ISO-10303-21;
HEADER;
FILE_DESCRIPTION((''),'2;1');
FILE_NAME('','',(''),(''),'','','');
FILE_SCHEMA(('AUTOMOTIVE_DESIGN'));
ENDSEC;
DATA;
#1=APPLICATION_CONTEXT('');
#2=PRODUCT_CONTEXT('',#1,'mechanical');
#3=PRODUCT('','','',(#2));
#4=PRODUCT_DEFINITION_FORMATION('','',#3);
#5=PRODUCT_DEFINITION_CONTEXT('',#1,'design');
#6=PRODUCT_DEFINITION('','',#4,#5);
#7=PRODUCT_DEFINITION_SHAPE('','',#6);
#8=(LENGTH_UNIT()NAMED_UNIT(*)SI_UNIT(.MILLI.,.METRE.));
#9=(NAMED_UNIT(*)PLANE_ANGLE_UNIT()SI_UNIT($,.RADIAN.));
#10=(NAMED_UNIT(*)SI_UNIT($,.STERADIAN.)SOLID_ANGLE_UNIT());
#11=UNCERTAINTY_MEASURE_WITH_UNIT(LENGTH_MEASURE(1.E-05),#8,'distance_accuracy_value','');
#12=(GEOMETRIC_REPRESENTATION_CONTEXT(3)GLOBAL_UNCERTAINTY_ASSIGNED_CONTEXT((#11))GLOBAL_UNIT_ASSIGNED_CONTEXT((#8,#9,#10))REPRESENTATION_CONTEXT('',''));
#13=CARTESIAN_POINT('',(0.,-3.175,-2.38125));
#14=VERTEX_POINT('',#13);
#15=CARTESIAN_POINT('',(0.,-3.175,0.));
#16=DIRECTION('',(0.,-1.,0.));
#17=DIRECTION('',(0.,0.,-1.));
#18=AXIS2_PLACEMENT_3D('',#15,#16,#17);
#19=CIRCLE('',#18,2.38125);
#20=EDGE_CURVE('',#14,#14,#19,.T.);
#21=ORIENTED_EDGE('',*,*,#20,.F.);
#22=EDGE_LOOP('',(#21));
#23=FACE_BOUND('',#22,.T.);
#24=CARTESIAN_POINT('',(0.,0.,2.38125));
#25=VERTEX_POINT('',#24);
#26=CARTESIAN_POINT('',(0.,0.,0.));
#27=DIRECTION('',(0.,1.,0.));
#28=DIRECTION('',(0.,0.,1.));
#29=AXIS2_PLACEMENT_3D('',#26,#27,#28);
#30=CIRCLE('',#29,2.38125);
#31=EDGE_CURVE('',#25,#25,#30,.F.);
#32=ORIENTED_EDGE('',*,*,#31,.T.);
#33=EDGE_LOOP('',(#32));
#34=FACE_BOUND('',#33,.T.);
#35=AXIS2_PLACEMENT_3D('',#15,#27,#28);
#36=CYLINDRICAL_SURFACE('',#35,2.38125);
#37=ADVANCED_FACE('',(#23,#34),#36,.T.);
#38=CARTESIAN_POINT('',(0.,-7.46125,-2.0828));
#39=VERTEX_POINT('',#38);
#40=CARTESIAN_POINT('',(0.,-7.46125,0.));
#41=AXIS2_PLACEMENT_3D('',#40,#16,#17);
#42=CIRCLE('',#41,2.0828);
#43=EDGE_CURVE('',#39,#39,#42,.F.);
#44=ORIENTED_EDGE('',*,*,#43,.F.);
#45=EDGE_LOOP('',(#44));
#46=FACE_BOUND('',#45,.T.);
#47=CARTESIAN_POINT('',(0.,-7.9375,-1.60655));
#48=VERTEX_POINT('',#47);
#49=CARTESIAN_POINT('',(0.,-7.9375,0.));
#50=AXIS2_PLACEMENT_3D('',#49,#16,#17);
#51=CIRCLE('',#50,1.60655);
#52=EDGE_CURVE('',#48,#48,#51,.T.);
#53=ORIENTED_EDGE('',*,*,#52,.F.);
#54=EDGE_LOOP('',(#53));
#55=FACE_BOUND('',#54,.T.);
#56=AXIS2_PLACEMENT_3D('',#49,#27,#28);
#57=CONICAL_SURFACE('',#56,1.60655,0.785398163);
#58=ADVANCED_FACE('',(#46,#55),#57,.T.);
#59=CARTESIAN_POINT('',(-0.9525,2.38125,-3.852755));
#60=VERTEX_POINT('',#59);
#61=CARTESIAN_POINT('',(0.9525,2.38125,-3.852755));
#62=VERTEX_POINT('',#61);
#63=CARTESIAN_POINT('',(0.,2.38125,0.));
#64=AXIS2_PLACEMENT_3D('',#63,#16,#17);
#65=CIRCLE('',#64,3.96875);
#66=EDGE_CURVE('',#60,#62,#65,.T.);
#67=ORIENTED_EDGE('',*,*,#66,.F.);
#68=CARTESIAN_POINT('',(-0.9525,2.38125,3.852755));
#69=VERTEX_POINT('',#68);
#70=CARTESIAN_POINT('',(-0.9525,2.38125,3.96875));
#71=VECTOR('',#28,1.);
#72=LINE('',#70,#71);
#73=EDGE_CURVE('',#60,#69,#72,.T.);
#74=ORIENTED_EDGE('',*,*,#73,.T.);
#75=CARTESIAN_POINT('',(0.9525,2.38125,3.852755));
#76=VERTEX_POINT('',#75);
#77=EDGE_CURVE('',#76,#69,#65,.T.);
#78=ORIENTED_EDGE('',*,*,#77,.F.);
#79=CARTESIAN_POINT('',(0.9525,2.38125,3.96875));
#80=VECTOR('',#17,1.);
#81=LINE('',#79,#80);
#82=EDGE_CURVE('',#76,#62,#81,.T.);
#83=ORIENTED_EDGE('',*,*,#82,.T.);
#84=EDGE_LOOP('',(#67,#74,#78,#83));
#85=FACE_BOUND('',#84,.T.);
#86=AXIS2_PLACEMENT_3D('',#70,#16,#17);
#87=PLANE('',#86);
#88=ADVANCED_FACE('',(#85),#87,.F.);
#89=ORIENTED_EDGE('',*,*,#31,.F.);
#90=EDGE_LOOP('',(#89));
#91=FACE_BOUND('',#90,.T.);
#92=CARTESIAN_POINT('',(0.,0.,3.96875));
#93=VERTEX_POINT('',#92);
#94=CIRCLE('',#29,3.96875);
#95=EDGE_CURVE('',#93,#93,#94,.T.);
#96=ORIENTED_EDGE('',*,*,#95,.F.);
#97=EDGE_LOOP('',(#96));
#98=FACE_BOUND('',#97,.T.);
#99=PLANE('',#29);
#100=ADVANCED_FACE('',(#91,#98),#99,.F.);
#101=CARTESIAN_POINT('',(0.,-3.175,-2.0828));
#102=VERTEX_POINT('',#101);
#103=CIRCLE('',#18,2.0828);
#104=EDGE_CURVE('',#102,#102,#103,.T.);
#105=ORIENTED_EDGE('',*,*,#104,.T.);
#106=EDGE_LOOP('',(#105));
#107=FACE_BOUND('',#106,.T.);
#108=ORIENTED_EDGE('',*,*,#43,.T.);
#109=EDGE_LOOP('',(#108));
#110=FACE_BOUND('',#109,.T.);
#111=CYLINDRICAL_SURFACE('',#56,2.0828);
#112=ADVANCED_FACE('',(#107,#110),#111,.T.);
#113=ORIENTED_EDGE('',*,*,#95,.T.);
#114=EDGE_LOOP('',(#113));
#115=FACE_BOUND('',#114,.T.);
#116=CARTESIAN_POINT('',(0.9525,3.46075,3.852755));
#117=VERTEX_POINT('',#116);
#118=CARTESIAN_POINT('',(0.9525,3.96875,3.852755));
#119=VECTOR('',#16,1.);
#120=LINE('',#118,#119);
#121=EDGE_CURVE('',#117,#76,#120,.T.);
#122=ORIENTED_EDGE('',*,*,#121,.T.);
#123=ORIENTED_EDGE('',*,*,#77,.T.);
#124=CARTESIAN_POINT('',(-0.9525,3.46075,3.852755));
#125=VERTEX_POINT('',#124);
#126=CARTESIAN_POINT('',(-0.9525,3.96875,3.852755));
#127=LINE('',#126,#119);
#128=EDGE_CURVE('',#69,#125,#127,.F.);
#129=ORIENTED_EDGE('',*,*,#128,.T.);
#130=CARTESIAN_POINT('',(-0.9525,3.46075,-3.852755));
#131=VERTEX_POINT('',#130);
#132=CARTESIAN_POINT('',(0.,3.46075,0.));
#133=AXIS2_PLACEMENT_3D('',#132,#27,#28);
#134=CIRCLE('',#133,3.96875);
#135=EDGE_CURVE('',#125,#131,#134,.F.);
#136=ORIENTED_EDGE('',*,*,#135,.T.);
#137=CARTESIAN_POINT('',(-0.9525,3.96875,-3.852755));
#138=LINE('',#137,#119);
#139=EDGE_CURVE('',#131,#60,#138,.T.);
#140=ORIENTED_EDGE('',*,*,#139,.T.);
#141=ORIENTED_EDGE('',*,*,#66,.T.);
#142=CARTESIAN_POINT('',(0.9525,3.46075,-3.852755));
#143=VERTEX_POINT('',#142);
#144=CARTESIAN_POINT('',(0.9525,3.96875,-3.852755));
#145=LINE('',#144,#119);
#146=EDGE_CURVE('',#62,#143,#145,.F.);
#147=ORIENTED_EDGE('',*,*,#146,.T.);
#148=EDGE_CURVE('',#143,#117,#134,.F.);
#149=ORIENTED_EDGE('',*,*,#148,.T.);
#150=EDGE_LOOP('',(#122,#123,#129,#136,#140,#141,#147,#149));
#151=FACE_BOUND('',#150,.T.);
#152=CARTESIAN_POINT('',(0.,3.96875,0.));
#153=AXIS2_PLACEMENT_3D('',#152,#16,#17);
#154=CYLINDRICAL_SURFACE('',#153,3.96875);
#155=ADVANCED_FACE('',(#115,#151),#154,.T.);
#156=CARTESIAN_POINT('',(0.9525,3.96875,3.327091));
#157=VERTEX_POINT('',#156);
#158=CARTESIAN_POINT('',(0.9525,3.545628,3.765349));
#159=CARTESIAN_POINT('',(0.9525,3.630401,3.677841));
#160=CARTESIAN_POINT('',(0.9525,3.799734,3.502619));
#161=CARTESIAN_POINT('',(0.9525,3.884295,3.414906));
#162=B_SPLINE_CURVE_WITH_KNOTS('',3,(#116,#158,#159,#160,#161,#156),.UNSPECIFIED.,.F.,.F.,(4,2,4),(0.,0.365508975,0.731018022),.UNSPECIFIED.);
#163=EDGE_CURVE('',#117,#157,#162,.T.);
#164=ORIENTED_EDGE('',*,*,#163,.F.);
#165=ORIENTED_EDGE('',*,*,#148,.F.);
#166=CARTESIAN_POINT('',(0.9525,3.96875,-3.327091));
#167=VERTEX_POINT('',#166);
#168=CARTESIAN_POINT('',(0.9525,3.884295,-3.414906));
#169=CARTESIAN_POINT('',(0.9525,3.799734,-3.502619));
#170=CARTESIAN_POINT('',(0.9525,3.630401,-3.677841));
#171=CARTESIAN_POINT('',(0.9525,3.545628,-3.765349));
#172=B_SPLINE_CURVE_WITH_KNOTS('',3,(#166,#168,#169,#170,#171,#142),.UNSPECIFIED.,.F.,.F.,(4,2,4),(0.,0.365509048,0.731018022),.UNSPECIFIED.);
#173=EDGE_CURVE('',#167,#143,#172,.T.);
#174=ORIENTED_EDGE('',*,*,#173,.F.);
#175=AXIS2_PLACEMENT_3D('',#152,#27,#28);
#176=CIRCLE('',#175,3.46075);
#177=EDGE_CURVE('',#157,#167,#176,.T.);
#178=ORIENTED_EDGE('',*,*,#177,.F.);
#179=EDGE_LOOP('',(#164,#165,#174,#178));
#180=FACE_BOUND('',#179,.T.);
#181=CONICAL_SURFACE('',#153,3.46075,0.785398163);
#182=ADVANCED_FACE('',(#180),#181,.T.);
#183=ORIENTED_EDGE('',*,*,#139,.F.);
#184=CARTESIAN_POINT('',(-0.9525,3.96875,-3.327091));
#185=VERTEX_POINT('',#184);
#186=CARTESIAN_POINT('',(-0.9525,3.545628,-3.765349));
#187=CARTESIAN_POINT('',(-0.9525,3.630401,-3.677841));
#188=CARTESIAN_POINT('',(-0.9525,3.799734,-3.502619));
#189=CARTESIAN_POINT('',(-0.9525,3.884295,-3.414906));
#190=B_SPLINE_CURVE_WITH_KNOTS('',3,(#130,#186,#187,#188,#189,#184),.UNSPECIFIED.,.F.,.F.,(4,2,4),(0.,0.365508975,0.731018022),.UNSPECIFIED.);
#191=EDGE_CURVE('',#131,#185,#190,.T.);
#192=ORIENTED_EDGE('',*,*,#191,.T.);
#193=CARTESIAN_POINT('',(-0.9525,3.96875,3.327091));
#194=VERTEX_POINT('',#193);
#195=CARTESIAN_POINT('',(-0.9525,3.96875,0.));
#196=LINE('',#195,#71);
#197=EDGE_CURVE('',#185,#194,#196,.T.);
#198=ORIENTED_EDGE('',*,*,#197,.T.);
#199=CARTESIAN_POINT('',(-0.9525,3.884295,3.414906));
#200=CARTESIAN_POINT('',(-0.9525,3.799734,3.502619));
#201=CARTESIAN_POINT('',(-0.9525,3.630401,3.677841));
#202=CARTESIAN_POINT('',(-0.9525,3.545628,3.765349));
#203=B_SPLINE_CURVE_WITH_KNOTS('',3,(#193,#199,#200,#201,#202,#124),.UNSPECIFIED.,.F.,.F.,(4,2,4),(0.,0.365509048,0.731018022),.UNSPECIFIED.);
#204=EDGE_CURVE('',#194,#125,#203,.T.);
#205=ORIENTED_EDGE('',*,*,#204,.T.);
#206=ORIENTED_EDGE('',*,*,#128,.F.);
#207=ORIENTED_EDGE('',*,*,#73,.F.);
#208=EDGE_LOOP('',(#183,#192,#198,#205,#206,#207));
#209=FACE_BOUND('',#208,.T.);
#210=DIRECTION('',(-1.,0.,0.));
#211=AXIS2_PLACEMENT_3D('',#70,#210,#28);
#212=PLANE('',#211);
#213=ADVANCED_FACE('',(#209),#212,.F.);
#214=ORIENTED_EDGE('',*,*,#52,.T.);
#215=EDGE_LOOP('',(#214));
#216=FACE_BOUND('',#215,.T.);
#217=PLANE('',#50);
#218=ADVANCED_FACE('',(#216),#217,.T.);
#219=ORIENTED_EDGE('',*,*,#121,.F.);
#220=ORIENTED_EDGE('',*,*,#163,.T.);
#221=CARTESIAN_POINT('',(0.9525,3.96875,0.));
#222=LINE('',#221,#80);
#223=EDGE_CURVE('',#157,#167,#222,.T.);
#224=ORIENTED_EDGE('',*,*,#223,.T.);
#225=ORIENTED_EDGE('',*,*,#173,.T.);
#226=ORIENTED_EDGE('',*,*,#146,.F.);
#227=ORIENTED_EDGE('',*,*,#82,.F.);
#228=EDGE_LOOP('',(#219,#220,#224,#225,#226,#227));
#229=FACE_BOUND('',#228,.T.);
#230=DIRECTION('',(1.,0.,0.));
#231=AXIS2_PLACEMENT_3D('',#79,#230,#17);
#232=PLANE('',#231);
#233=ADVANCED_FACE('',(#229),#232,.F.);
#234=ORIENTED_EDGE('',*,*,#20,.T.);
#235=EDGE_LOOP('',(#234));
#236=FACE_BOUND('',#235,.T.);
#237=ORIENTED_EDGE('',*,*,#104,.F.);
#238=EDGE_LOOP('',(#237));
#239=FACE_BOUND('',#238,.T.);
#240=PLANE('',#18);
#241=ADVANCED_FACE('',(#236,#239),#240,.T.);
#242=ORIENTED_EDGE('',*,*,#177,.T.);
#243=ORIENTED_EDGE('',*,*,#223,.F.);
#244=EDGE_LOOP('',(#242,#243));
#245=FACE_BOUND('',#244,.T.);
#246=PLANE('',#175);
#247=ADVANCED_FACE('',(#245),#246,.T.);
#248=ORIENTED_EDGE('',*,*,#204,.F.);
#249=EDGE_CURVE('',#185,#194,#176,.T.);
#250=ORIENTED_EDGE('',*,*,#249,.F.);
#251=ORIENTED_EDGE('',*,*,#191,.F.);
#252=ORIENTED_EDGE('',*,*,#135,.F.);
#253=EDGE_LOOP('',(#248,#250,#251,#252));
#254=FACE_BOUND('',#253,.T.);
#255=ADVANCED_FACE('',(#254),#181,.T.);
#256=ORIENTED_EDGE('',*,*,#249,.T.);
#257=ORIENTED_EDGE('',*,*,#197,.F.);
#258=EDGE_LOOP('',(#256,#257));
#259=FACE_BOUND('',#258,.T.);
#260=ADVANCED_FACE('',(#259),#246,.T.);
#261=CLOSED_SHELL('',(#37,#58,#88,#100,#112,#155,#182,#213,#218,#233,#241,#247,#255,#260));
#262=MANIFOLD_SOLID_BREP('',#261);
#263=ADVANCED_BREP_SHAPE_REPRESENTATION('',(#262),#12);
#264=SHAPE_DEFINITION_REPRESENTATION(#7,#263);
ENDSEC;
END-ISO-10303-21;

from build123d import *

# Parameters (mm, degrees)
SKETCH1_R          = 3.96875
EXTRUDE1_DEPTH     = 3.96875
SKETCH2_W          = 1.905
SKETCH2_H          = 7.9375
CUT_EXTRUDE1_DEPTH = 1.5875
SKETCH4_R          = 2.38125
EXTRUDE2_DEPTH     = 3.175
SKETCH5_R          = 2.0828
EXTRUDE3_DEPTH     = 4.7625
CHAMFER1_SIZE      = 0.508
CHAMFER2_SIZE      = 0.47625


with BuildPart() as part:
    # Sketch1 → Extrude1 (new body)
    with BuildSketch(Plane(origin=(0, 0, 0), x_dir=(1, 0, 0), z_dir=(0, 1, 0))):
        Circle(SKETCH1_R)
    extrude(amount=EXTRUDE1_DEPTH)

    # Sketch2 → Cut-Extrude1 (cut)
    with BuildSketch(Plane(origin=(0, 3.96875, 0), x_dir=(-1, 0, 0), z_dir=(0, 1, 0))):
        Rectangle(SKETCH2_W, SKETCH2_H)
    extrude(amount=-CUT_EXTRUDE1_DEPTH, mode=Mode.SUBTRACT)

    # Sketch4 → Extrude2 (add)
    with BuildSketch(Plane.XZ):
        Circle(SKETCH4_R)
    extrude(amount=EXTRUDE2_DEPTH)

    # Sketch5 → Extrude3 (add)
    with BuildSketch(Plane.XZ.offset(3.175)):
        Circle(SKETCH5_R)
    extrude(amount=EXTRUDE3_DEPTH)

    # Chamfer1
    chamfer1_edges = [part.edges().sort_by_distance(p)[0] for p in [
        (3.124996875, 3.96875, -2.446501807),
        (-3.96875, 3.96875, 0),
    ]]
    chamfer(chamfer1_edges, length=CHAMFER1_SIZE)

    # Chamfer2
    chamfer2_edges = [part.edges().sort_by_distance(p)[0] for p in [
        (-2.0828, -7.9375, 0),
    ]]
    chamfer(chamfer2_edges, length=CHAMFER2_SIZE)


solid = part.part
